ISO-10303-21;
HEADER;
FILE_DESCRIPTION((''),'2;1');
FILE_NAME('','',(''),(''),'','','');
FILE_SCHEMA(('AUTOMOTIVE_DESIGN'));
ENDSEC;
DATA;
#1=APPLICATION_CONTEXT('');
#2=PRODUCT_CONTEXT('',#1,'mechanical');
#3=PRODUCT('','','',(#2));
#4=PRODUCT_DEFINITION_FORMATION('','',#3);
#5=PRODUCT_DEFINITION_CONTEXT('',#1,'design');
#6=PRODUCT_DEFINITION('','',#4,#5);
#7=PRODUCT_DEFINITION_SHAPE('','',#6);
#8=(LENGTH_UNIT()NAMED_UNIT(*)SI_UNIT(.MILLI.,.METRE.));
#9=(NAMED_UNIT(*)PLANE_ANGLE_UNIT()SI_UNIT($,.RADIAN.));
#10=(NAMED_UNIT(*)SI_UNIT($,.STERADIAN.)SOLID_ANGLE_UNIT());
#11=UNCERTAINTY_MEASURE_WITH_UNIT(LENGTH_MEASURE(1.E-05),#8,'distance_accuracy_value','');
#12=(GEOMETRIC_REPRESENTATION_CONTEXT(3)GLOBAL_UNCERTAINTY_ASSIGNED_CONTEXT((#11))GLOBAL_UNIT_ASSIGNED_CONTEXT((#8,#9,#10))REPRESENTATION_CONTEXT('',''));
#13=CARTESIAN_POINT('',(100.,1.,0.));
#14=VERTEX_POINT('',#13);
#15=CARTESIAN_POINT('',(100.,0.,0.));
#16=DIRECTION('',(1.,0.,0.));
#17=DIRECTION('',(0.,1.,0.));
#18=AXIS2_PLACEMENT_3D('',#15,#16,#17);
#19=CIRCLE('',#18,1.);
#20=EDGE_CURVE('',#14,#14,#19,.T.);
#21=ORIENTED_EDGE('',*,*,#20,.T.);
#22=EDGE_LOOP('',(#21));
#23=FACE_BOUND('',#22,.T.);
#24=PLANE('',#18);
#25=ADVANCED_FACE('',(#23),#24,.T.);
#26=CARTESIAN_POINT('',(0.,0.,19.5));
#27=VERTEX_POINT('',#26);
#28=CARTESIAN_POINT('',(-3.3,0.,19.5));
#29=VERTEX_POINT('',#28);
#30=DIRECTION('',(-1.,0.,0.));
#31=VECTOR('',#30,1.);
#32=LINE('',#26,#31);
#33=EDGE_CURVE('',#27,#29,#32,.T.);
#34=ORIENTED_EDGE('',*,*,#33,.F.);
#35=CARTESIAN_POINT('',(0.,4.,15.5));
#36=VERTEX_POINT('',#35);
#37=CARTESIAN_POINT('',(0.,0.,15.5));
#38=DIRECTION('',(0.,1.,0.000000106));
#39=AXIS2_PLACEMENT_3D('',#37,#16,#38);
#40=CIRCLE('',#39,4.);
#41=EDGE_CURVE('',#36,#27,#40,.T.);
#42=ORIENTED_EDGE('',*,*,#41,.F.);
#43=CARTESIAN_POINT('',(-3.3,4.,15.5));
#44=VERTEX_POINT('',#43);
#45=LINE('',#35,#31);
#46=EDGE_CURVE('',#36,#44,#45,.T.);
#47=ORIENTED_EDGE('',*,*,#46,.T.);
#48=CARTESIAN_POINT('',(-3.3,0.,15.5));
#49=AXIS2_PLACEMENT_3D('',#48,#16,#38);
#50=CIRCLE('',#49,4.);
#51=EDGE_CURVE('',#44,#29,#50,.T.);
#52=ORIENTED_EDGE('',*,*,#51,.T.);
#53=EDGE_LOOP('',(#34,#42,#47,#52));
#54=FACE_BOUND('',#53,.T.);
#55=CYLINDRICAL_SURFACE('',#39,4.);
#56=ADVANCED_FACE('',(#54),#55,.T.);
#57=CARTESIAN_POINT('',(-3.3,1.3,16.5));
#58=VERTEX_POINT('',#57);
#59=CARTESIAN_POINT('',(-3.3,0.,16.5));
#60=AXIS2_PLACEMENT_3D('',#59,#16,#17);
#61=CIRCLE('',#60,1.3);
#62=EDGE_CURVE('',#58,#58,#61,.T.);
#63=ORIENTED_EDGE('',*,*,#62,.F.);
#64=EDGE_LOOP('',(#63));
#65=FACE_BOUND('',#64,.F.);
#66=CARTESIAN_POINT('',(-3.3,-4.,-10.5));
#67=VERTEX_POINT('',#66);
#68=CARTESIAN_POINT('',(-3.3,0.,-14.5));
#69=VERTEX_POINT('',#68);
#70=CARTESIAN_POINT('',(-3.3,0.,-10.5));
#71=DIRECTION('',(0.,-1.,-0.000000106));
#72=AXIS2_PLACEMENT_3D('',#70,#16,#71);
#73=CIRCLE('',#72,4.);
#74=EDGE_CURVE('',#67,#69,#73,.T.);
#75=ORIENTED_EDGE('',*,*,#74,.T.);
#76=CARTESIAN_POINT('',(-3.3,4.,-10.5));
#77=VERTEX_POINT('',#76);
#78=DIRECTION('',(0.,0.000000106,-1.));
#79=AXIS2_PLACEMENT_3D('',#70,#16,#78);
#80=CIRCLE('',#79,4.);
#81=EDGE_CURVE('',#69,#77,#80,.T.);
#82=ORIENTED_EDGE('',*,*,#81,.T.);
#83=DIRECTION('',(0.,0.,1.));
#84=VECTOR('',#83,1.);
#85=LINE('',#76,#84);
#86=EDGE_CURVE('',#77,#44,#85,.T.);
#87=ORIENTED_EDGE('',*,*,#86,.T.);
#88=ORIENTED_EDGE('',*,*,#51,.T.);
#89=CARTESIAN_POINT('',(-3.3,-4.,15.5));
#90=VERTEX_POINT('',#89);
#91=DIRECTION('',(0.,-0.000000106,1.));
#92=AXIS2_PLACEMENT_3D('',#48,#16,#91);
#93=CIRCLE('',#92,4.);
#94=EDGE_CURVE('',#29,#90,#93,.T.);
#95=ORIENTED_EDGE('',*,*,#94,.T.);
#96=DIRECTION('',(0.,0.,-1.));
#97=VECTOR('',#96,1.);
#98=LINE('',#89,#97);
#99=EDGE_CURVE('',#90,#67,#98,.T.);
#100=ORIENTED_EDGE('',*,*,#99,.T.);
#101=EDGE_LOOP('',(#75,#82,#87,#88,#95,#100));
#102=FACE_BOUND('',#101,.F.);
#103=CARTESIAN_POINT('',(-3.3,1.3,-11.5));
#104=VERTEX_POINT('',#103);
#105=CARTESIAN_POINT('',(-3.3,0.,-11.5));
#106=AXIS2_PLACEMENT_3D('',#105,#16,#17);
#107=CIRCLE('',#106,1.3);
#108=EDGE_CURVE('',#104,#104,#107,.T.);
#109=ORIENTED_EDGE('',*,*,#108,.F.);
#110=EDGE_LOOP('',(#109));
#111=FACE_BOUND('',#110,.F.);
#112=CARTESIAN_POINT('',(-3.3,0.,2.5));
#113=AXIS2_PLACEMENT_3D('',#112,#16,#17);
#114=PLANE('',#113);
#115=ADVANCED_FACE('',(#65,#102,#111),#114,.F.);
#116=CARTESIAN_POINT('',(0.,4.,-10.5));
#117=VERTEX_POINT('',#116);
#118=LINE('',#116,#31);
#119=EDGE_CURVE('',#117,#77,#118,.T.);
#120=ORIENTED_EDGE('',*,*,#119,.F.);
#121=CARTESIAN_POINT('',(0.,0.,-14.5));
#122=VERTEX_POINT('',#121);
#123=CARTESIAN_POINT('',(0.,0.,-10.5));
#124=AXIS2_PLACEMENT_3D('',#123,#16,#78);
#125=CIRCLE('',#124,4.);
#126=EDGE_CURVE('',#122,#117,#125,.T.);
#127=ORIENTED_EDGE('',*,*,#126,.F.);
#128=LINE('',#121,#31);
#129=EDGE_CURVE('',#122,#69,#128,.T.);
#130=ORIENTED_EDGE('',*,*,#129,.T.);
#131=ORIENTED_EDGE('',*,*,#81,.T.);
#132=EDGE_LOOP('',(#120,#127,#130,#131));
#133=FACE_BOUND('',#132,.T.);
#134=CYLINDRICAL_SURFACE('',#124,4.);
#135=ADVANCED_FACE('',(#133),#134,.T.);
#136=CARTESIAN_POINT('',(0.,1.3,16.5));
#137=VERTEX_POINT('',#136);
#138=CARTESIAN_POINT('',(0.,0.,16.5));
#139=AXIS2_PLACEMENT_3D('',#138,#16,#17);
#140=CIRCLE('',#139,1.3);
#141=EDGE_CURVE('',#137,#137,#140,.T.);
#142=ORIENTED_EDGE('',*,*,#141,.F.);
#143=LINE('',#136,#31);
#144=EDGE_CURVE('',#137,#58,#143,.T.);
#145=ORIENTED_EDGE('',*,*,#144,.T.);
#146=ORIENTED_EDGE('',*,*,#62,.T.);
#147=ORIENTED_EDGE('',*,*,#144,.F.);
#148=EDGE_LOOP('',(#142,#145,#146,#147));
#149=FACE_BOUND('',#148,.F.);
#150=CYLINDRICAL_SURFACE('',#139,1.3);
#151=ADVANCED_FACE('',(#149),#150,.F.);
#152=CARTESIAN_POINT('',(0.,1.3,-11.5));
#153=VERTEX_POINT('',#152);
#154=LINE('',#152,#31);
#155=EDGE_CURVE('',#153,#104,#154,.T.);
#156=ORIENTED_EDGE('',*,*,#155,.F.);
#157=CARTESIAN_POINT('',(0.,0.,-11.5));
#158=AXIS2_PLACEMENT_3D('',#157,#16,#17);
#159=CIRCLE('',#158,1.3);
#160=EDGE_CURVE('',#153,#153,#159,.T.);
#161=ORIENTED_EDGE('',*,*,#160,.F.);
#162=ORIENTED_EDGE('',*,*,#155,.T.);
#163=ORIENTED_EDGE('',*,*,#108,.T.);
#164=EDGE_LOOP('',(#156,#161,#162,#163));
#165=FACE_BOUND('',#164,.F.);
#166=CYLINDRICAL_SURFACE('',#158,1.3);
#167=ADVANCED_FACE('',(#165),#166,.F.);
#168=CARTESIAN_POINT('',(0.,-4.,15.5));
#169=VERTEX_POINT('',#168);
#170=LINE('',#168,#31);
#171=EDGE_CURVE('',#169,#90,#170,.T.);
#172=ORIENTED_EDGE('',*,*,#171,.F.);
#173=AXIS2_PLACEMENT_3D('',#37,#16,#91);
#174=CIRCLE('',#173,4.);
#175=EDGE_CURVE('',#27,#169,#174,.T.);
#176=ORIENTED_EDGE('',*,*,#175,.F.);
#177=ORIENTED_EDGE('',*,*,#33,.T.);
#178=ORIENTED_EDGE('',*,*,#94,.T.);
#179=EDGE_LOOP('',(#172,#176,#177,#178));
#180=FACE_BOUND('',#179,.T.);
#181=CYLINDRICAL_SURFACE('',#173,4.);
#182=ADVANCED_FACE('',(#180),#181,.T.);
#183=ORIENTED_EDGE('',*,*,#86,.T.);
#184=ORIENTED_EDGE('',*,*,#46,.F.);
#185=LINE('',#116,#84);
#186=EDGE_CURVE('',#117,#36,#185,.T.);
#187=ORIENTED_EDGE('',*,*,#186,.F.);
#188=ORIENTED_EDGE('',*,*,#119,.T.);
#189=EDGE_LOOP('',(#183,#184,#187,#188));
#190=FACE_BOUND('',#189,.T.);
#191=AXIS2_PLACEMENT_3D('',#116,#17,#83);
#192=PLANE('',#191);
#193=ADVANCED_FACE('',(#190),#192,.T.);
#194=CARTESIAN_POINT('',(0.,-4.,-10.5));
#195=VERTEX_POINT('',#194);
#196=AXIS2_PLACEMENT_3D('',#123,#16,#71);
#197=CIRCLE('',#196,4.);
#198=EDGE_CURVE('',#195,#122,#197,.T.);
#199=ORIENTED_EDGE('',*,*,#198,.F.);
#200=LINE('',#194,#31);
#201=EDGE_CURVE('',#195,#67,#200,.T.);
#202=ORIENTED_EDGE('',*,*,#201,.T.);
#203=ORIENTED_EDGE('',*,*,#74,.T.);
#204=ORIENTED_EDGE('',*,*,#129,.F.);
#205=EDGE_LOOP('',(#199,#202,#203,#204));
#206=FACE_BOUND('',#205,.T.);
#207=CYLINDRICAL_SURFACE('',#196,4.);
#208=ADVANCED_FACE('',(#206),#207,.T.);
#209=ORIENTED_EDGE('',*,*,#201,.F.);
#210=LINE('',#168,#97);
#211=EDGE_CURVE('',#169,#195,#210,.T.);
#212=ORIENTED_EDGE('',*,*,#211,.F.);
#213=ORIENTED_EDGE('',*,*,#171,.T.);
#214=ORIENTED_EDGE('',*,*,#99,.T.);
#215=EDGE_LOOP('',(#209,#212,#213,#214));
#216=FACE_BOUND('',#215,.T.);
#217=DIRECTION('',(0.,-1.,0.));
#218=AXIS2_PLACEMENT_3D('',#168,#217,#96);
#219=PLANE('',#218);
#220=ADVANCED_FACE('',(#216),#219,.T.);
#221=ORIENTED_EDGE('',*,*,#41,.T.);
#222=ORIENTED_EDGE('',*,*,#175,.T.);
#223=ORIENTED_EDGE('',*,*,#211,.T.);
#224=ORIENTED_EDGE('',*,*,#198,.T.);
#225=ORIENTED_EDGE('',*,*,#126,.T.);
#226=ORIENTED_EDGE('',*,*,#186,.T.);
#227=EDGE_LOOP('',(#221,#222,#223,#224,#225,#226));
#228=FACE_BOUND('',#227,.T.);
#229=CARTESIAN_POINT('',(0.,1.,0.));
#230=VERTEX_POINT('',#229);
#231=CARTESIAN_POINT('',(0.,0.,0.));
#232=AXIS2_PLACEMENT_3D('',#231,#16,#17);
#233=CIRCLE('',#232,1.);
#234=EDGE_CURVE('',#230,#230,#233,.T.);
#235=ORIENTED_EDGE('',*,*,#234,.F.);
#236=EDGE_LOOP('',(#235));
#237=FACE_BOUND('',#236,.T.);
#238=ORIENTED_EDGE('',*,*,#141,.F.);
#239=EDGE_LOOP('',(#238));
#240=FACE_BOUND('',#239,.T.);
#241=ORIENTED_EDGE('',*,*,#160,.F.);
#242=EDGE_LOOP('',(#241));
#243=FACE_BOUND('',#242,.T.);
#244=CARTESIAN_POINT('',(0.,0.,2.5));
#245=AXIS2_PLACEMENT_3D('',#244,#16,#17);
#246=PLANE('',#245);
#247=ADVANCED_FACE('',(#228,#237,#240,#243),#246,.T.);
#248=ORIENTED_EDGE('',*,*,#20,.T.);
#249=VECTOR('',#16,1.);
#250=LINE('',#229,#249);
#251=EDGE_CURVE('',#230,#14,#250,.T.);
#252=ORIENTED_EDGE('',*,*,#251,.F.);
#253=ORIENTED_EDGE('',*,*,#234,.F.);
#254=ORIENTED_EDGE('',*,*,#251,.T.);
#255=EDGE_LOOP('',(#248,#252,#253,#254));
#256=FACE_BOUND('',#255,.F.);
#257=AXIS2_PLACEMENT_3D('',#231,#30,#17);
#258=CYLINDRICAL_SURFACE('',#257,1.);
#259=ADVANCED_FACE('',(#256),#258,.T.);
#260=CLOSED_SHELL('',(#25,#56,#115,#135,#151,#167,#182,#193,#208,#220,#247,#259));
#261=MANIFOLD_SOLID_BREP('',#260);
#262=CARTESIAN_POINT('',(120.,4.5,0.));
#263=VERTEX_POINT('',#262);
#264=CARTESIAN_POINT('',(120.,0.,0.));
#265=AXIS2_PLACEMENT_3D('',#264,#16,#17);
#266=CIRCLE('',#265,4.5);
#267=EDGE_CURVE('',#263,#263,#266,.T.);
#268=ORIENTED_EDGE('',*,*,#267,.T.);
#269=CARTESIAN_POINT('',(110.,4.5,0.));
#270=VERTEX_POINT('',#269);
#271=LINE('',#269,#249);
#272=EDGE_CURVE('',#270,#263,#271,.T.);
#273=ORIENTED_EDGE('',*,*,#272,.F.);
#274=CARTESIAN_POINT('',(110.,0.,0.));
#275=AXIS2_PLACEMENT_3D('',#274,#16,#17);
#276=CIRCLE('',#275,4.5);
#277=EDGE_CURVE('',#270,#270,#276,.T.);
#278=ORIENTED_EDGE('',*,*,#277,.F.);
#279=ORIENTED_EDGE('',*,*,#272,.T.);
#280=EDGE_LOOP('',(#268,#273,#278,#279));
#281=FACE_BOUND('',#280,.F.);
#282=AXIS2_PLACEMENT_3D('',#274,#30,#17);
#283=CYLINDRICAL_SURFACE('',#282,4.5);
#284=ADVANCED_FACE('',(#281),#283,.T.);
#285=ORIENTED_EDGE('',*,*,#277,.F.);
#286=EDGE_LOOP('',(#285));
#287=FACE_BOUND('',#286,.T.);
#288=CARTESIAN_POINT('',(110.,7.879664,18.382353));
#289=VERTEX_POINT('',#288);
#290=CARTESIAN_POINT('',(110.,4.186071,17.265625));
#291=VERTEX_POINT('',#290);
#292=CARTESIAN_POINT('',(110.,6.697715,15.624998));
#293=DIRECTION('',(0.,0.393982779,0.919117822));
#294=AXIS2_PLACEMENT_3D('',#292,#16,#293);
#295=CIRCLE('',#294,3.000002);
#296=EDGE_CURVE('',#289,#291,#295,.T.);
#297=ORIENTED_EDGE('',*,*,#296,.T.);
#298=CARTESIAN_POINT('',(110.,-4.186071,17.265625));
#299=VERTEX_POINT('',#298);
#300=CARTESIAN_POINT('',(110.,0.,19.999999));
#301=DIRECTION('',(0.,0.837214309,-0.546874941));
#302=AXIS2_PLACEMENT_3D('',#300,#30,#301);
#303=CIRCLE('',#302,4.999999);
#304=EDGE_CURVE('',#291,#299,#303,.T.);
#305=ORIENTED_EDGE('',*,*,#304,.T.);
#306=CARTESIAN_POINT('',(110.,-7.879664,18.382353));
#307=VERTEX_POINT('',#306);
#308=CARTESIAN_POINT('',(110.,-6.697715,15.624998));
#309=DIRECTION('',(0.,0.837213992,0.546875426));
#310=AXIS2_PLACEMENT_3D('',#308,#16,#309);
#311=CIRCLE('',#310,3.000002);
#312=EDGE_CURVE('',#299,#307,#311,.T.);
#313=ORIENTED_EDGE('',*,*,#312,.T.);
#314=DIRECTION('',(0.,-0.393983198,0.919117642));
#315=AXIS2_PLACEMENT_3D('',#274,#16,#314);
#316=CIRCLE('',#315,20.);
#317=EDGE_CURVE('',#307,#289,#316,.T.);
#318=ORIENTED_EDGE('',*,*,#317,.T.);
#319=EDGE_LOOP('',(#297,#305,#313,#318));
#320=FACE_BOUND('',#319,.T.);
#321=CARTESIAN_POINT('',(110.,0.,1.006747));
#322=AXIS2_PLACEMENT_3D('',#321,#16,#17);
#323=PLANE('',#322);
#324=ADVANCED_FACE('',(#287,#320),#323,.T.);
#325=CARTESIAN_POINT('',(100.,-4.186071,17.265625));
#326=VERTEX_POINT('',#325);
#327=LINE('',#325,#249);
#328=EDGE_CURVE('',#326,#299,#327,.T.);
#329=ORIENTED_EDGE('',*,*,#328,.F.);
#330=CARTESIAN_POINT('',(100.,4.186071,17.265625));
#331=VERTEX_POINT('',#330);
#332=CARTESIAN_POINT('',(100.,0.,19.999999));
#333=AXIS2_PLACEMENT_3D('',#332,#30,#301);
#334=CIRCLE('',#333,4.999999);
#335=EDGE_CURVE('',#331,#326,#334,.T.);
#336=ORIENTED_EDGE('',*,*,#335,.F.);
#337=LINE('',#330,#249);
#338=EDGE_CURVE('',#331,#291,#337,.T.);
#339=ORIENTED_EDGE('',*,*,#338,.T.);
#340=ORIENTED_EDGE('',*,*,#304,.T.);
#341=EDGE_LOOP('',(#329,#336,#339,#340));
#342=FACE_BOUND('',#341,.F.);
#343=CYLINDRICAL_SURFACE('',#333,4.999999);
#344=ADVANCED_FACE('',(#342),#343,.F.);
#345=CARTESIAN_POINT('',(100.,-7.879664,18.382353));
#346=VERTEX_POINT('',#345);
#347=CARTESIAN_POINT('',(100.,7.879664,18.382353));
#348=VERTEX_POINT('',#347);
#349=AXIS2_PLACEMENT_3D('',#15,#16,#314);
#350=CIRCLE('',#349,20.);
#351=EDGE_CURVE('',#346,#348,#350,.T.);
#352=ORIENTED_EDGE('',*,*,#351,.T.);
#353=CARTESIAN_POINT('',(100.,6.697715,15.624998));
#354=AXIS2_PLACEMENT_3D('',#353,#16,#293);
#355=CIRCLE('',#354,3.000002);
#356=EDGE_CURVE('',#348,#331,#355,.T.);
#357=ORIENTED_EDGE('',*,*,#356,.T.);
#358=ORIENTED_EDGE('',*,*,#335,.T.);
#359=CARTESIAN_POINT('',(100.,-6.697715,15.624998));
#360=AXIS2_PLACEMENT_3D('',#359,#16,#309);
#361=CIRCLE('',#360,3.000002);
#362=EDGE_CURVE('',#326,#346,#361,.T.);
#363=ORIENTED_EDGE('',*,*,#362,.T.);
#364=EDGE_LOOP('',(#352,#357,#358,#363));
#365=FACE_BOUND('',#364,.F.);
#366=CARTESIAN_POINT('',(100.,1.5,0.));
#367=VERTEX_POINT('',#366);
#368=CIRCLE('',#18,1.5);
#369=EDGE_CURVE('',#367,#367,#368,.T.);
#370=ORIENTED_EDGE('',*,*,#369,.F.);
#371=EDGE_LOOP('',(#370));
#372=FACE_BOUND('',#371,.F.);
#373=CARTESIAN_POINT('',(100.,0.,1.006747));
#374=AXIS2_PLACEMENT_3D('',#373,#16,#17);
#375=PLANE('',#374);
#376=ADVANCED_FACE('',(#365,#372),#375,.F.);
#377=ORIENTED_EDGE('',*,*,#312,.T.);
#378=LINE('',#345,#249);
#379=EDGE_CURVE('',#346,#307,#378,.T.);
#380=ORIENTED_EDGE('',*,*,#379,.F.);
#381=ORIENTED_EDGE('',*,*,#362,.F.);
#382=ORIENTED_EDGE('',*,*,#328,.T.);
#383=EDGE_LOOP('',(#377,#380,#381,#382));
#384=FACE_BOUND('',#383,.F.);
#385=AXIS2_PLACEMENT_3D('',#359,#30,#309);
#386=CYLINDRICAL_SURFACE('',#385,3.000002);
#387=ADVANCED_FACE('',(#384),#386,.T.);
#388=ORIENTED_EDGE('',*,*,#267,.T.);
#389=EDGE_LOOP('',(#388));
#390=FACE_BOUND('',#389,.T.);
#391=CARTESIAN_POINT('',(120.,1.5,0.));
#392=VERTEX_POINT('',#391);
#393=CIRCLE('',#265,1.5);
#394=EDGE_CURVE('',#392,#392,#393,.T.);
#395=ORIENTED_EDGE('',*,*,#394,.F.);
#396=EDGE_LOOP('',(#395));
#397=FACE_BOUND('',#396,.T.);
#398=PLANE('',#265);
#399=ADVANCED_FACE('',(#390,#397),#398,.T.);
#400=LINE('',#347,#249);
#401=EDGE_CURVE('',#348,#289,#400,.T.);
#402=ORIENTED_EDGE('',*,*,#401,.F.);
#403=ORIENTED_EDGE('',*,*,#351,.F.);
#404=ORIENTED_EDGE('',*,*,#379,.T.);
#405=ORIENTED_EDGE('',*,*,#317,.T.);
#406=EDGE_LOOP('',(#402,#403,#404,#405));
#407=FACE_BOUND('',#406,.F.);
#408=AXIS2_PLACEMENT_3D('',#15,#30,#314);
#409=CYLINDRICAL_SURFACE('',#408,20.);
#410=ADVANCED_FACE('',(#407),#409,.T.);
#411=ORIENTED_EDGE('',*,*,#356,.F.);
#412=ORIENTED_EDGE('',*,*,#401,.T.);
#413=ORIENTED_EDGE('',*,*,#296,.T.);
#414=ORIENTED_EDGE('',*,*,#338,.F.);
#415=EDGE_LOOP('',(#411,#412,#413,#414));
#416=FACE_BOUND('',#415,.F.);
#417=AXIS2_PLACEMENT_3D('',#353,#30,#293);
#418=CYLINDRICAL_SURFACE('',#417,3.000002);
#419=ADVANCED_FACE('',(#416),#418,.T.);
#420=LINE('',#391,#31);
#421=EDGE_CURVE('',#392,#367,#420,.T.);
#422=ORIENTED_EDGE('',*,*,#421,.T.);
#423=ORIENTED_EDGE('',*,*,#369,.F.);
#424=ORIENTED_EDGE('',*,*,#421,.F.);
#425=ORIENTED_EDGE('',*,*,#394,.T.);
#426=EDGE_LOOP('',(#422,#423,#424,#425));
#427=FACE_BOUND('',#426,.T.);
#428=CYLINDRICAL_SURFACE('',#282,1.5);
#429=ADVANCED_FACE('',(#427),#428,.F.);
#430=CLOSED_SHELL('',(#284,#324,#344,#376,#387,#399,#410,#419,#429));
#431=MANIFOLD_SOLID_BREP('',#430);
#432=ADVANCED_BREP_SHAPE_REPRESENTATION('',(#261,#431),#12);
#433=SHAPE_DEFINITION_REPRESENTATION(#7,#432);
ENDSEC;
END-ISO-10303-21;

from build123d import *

# Parameters (mm, degrees)
F0_R     = 1
F1_DEPTH = 100
F2_R     = 1.3
F3_DEPTH = 3.3
F4_R     = 1.5
F5_DEPTH = 10
F6_R     = 4.5
F6_R_2   = 1.5
F7_DEPTH = 10


with BuildPart() as f1:
    # F0 (on Right) → F1 (new body)
    with BuildSketch(Plane.YZ):
        Circle(F0_R)
    extrude(amount=F1_DEPTH)

    # F2 (on Right) → F3 (join)
    with BuildSketch(Plane.YZ):
        with BuildLine():
            ThreePointArc((0, -14.5), (2.828427, -13.328427), (4, -10.5))
            Line((4, -10.5), (4, 15.5))
            ThreePointArc((4, 15.5), (2.828427, 18.328427), (0, 19.5))
            ThreePointArc((0, 19.5), (-2.828427, 18.328427), (-4, 15.5))
            Line((-4, 15.5), (-4, -10.5))
            ThreePointArc((-4, -10.5), (-2.828427, -13.328427), (0, -14.5))
        make_face()
        with Locations((0, -11.5)):
            Circle(F2_R, mode=Mode.SUBTRACT)
        with Locations((0, 16.5)):
            Circle(F2_R, mode=Mode.SUBTRACT)
    extrude(amount=-F3_DEPTH)


with BuildPart() as f5:
    # F4 (on face) → F5 (new body)
    with BuildSketch(Plane.YZ.offset(100)):
        with BuildLine():
            ThreePointArc((-4.186071, 17.265625), (-5.829503, 18.496621), (-7.879664, 18.382353))
            ThreePointArc((-7.879664, 18.382353), (0, -20), (7.879664, 18.382353))
            ThreePointArc((7.879664, 18.382353), (5.829503, 18.496621), (4.186071, 17.265625))
            ThreePointArc((4.186071, 17.265625), (0, 15), (-4.186071, 17.265625))
        make_face()
        Circle(F4_R, mode=Mode.SUBTRACT)
    extrude(amount=F5_DEPTH)

    # F6 (on face) → F7 (join)
    with BuildSketch(Plane.YZ.offset(110)):
        Circle(F6_R)
        Circle(F6_R_2, mode=Mode.SUBTRACT)
    extrude(amount=F7_DEPTH)


solid = Compound([f1.part, f5.part])
